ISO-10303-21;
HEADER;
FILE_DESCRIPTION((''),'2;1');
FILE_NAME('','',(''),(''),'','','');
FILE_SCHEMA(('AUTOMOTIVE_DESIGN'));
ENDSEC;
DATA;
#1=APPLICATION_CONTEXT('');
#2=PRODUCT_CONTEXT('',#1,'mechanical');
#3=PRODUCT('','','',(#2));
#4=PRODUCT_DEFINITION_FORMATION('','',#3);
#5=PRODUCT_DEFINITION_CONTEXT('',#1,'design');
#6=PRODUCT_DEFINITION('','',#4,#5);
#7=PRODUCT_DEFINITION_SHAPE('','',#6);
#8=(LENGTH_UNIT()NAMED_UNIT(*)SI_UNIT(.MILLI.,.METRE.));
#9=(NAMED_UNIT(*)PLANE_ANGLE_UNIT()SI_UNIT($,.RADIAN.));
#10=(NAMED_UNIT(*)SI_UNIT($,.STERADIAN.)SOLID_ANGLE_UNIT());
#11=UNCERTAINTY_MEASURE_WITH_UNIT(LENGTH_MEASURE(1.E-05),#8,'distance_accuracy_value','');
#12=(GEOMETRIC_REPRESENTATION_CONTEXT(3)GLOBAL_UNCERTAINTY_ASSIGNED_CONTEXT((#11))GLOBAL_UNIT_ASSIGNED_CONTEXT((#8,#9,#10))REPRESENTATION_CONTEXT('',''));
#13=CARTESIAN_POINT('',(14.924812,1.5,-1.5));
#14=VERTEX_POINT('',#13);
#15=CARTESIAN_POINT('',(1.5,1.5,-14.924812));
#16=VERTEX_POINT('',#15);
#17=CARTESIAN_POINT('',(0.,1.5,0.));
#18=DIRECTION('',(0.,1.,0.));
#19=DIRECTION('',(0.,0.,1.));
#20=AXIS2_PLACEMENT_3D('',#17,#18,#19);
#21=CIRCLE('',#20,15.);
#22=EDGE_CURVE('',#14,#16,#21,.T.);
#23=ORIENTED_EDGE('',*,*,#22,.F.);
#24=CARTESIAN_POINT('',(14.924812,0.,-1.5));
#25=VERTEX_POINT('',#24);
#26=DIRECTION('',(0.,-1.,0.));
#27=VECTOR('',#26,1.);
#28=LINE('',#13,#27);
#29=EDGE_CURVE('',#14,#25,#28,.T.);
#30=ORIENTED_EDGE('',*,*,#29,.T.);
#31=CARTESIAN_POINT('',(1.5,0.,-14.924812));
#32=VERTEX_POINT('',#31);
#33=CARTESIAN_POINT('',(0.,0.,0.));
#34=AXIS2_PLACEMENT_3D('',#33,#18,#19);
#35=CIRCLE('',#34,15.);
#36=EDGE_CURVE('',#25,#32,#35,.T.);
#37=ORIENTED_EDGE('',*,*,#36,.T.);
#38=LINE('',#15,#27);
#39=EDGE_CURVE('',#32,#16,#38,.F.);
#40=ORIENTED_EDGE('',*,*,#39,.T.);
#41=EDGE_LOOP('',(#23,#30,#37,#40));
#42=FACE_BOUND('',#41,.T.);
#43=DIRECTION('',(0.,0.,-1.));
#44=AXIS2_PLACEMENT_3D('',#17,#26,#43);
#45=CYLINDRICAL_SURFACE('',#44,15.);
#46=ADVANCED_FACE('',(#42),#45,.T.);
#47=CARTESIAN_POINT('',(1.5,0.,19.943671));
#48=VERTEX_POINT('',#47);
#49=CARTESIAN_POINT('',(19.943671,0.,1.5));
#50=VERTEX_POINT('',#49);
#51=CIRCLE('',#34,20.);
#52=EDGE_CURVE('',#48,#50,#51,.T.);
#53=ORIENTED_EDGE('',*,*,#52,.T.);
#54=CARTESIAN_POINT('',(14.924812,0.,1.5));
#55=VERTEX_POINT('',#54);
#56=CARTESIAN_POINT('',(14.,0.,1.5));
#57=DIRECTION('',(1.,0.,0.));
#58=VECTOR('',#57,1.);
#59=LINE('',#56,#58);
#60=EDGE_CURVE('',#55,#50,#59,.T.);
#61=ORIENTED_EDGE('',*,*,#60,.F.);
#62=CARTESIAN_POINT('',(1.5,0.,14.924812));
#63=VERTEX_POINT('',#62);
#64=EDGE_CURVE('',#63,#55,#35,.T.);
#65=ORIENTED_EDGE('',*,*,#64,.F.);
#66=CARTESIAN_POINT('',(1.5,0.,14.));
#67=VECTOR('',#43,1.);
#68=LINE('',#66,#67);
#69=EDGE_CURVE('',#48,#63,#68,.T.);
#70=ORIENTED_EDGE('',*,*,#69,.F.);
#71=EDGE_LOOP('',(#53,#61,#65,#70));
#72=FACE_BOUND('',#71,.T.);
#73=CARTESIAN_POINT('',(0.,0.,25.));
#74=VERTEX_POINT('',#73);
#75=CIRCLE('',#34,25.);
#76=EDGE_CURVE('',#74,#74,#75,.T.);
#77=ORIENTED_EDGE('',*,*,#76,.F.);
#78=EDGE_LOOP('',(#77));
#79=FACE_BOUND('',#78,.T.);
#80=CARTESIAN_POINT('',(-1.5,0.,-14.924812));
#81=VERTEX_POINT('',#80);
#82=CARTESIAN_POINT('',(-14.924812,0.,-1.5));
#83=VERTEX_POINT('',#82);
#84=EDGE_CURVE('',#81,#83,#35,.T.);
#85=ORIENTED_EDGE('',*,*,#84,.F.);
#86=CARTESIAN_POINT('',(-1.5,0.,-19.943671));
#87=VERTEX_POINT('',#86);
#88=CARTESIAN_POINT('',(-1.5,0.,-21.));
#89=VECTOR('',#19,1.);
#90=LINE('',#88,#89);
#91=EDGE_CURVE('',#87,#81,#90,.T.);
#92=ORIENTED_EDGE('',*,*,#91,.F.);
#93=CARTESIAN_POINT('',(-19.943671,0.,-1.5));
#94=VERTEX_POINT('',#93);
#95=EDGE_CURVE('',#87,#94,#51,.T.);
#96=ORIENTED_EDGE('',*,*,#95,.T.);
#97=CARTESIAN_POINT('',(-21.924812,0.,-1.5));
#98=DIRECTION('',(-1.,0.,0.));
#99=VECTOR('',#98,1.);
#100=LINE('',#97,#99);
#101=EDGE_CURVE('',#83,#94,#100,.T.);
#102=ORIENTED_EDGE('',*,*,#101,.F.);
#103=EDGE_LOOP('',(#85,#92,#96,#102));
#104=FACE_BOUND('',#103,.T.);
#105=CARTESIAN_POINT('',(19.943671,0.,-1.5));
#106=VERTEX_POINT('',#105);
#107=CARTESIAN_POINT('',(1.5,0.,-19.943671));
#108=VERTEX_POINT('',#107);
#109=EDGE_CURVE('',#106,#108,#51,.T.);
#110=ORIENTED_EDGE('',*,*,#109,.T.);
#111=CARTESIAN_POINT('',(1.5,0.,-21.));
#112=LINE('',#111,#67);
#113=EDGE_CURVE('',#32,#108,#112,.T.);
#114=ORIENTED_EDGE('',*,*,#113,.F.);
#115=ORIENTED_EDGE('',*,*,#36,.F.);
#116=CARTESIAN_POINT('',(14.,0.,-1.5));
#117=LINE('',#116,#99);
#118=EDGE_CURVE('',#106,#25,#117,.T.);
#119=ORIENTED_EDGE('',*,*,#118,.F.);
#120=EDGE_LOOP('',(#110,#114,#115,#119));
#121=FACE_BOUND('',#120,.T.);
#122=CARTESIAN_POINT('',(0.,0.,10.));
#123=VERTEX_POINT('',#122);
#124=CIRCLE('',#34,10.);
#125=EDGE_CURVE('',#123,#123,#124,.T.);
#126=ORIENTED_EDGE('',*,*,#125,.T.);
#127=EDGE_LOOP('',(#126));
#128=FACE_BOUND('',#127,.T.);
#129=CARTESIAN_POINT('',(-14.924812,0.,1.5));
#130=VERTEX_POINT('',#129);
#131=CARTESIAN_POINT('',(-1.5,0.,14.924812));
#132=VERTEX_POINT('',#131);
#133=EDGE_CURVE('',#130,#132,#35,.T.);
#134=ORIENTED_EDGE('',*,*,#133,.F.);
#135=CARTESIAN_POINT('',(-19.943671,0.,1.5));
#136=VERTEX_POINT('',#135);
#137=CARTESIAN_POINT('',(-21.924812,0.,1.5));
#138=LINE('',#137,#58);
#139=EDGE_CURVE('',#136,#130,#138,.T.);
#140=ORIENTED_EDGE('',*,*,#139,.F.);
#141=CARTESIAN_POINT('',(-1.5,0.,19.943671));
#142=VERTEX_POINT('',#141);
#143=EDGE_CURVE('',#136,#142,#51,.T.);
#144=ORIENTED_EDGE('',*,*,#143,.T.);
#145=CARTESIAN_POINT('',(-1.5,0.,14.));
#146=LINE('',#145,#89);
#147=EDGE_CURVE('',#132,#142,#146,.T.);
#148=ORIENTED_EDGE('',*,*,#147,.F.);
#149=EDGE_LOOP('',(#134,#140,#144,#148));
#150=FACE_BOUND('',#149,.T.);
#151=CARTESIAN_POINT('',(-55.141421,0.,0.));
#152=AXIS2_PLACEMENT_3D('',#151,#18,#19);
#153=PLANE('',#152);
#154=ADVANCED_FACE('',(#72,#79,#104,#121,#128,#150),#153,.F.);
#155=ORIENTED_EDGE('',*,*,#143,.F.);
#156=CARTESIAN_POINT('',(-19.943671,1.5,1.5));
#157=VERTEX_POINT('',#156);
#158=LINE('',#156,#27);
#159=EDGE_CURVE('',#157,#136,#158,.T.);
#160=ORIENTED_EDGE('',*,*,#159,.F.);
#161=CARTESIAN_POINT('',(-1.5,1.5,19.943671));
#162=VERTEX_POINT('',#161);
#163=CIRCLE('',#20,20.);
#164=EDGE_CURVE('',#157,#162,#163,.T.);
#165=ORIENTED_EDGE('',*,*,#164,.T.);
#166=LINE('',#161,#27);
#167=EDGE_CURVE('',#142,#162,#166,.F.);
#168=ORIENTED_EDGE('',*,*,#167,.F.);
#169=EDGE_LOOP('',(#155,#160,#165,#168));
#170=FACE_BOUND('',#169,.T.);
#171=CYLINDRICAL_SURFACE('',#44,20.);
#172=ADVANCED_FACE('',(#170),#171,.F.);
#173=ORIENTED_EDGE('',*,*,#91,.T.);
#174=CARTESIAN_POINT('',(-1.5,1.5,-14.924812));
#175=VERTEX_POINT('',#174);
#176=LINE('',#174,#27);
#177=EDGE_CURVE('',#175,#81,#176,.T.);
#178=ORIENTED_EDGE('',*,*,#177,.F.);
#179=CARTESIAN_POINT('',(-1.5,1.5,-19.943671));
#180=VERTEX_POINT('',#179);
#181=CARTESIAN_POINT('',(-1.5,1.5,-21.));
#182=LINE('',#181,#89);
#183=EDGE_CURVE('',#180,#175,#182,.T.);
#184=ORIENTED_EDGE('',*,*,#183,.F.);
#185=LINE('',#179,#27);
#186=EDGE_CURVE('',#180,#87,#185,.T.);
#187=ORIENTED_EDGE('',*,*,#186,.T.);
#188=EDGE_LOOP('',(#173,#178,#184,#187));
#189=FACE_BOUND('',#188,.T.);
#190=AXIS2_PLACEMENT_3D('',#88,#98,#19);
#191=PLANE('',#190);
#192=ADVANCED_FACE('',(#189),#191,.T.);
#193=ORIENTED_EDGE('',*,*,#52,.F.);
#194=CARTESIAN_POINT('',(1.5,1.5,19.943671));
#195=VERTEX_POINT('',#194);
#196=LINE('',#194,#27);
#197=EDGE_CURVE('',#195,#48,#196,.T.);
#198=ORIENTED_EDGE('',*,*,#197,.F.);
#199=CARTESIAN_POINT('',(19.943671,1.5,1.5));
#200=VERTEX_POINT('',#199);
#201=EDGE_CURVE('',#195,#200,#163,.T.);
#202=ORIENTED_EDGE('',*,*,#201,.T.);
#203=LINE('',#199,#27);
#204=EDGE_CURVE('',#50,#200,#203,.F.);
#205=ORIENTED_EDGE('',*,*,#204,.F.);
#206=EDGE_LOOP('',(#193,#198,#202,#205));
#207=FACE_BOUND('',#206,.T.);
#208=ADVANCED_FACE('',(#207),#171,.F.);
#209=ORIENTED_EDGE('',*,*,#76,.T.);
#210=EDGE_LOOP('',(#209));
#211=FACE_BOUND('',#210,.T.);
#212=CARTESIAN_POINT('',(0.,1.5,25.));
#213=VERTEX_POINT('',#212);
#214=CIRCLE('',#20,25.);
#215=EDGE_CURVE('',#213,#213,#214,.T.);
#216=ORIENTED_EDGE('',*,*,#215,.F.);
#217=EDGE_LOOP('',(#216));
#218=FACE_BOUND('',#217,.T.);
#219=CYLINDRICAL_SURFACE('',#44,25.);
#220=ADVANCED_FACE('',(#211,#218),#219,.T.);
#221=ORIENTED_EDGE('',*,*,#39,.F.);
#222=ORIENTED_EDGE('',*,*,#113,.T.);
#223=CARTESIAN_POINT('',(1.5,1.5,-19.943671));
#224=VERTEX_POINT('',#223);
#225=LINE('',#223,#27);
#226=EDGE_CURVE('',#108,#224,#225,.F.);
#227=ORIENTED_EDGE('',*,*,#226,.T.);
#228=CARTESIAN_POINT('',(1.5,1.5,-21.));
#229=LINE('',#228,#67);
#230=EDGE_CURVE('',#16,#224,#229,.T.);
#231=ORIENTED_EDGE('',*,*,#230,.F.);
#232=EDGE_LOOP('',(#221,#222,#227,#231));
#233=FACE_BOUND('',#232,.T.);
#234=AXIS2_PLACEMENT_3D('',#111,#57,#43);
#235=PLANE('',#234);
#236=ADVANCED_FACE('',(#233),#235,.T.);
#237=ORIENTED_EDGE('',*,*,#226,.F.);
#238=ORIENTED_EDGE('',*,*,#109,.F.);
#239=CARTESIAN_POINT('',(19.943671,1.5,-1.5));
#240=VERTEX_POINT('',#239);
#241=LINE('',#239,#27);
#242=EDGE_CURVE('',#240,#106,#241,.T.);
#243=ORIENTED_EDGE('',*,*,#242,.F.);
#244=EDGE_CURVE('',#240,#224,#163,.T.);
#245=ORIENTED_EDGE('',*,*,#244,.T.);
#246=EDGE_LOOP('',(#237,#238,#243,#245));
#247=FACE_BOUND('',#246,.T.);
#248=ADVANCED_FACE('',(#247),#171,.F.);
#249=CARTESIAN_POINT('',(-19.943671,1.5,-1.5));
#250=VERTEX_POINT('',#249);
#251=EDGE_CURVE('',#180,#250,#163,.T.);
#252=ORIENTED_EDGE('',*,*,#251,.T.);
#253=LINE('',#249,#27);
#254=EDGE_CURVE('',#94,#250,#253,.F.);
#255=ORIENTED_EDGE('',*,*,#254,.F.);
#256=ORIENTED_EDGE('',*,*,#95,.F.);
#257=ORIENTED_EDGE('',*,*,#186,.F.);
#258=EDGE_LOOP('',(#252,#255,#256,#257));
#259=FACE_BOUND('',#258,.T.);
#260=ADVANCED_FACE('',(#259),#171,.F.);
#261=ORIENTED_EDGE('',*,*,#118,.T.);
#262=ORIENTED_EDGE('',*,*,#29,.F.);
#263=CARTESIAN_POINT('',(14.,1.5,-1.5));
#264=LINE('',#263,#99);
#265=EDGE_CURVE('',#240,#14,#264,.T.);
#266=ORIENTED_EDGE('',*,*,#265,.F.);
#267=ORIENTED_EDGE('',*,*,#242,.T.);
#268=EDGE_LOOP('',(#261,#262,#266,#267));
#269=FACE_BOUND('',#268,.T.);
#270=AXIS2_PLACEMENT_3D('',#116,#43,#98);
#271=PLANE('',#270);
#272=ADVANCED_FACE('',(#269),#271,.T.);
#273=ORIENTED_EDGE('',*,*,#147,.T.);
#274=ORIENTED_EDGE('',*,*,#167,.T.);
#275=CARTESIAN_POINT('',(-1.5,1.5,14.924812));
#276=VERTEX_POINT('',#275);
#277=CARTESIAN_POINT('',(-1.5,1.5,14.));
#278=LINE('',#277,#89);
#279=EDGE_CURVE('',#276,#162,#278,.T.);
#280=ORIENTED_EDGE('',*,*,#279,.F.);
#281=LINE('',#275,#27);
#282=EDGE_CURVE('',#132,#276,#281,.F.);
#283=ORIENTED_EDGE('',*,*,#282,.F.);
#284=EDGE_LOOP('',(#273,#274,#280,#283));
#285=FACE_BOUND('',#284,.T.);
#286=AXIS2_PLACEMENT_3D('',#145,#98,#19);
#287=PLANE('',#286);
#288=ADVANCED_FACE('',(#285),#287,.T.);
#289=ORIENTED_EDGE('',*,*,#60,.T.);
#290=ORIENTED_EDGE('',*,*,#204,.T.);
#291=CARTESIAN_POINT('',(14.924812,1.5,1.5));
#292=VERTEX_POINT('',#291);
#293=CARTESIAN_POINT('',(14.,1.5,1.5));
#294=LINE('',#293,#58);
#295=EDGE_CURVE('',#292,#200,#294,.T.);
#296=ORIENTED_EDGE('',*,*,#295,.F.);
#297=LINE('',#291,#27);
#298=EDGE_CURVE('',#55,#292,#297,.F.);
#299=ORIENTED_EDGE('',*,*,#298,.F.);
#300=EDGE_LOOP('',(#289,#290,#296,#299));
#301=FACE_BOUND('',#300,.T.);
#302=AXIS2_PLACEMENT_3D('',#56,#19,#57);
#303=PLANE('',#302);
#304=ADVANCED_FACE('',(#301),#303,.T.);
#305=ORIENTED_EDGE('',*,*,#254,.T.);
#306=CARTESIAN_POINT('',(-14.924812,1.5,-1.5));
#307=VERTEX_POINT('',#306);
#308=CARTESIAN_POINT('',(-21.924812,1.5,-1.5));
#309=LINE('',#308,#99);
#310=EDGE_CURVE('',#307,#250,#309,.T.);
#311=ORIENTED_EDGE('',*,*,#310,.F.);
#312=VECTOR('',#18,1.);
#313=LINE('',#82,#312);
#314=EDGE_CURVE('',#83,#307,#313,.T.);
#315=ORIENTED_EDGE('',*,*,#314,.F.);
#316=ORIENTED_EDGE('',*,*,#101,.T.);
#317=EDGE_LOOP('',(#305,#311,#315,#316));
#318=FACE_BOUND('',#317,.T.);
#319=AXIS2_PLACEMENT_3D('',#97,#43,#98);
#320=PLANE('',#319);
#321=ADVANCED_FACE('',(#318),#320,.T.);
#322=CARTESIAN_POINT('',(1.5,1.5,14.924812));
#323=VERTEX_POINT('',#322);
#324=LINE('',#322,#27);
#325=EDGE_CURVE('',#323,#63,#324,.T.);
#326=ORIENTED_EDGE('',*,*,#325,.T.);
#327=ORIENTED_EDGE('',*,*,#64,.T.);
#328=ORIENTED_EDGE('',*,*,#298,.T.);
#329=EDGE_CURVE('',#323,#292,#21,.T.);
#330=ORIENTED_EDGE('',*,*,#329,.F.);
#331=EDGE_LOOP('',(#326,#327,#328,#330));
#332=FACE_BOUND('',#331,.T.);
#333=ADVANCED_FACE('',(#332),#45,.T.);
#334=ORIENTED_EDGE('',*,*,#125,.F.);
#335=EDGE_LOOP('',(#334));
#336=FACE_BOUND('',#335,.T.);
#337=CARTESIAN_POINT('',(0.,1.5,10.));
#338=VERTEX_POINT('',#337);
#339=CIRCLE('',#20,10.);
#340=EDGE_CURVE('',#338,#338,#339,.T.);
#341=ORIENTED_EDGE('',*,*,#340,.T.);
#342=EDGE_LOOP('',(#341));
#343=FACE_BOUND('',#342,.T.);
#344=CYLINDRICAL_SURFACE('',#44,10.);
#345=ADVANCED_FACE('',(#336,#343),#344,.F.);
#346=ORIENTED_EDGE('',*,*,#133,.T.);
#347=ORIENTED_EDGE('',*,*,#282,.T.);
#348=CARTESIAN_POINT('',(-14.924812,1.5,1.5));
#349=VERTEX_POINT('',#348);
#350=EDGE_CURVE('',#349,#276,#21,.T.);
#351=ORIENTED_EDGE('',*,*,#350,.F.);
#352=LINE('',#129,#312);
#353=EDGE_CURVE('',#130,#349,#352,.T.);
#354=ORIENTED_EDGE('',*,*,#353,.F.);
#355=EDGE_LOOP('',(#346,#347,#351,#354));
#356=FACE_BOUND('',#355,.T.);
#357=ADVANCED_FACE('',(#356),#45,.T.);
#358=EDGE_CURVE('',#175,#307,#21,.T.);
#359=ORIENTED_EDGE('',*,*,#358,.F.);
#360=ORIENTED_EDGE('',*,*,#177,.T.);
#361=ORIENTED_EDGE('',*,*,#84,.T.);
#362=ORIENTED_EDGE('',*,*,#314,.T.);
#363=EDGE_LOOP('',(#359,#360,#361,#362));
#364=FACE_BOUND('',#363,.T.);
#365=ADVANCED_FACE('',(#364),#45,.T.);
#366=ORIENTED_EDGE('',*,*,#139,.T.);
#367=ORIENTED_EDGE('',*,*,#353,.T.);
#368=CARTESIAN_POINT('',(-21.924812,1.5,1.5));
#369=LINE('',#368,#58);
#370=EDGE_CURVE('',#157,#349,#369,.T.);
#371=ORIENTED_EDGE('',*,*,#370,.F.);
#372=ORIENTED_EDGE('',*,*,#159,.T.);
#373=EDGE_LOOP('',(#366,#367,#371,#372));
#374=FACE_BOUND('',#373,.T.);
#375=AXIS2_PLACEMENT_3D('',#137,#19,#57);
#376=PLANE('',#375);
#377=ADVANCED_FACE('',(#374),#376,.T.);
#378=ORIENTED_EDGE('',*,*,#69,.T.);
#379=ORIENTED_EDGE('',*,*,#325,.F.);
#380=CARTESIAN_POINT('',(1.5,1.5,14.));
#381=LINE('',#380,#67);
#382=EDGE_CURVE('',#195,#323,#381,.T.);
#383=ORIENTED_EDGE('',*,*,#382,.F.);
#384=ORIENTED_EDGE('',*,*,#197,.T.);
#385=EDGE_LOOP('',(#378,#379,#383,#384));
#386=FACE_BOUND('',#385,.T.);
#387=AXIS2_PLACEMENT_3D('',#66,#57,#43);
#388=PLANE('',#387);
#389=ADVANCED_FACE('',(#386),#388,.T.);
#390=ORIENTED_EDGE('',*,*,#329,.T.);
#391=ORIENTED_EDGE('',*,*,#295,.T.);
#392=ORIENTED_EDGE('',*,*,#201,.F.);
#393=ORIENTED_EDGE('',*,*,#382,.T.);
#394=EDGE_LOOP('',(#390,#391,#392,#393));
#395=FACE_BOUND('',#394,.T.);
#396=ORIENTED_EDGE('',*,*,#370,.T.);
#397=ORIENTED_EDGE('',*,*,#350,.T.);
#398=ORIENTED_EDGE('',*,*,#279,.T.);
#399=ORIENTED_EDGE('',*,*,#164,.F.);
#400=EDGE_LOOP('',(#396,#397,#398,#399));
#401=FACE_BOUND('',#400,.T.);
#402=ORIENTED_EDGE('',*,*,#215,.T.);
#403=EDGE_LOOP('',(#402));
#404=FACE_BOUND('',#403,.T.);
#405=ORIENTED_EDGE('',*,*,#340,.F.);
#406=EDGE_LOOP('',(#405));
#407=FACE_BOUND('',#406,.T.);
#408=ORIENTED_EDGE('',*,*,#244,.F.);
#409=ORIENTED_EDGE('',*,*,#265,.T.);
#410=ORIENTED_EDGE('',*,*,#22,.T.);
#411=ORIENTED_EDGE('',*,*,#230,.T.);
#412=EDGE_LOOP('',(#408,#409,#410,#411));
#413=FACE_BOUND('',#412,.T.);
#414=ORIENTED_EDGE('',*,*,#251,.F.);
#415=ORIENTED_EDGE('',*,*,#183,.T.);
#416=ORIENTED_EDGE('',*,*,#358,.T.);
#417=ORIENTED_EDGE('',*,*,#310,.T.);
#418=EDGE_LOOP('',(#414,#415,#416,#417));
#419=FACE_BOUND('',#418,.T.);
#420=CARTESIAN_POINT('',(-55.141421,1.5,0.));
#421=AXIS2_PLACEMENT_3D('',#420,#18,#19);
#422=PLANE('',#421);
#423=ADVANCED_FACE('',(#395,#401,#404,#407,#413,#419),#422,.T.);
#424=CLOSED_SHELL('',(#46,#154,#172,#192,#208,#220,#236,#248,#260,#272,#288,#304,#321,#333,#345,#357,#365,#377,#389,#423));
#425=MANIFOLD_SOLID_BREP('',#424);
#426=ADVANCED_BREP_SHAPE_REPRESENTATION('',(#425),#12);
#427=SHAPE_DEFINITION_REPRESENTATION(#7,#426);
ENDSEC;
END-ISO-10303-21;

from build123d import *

# Parameters (mm, degrees)
ESQUISSE1_R          = 25
ESQUISSE1_R_2        = 20
BOSS_EXTRU_3_DEPTH   = 1.5
ESQUISSE1_R_3        = 15
ESQUISSE1_R_4        = 10
BOSS_EXTRU_3_2_DEPTH = 1.5
ESQUISSE3_W          = 7
ESQUISSE3_H          = 3
ESQUISSE3_W_2        = 3
ESQUISSE3_H_2        = 7
BOSS_EXTRU_5_DEPTH   = 1.5


with BuildPart() as part:
    # Esquisse1 → Boss.-Extru.3 (new body)
    with BuildSketch(Plane(origin=(0, 0, 0), x_dir=(1, 0, 0), z_dir=(0, 1, 0))):
        Circle(ESQUISSE1_R)
        Circle(ESQUISSE1_R_2, mode=Mode.SUBTRACT)
    extrude(amount=BOSS_EXTRU_3_DEPTH)



with BuildPart() as body_2:
    # Esquisse1 → Boss.-Extru.3 2 (new body)
    with BuildSketch(Plane(origin=(0, 0, 0), x_dir=(1, 0, 0), z_dir=(0, 1, 0))):
        Circle(ESQUISSE1_R_3)
        Circle(ESQUISSE1_R_4, mode=Mode.SUBTRACT)
    extrude(amount=BOSS_EXTRU_3_2_DEPTH)


with BuildPart() as part_1:
    add(part.part)

    add(body_2.part)  # Boss.-Extru.5 merges body 2
    # Esquisse3 → Boss.-Extru.5 (add)
    with BuildSketch(Plane(origin=(0, 1.5, 0), x_dir=(-1, 0, 0), z_dir=(0, 1, 0))):
        with Locations((18.424811557, 0)):
            Rectangle(ESQUISSE3_W, ESQUISSE3_H)
        with Locations((0, -17.5)):
            Rectangle(ESQUISSE3_W_2, ESQUISSE3_H_2)
        with Locations((-17.5, 0)):
            Rectangle(ESQUISSE3_W, ESQUISSE3_H)
        with Locations((0, 17.5)):
            Rectangle(ESQUISSE3_W_2, ESQUISSE3_H_2)
    extrude(amount=-BOSS_EXTRU_5_DEPTH)


solid = part_1.part
